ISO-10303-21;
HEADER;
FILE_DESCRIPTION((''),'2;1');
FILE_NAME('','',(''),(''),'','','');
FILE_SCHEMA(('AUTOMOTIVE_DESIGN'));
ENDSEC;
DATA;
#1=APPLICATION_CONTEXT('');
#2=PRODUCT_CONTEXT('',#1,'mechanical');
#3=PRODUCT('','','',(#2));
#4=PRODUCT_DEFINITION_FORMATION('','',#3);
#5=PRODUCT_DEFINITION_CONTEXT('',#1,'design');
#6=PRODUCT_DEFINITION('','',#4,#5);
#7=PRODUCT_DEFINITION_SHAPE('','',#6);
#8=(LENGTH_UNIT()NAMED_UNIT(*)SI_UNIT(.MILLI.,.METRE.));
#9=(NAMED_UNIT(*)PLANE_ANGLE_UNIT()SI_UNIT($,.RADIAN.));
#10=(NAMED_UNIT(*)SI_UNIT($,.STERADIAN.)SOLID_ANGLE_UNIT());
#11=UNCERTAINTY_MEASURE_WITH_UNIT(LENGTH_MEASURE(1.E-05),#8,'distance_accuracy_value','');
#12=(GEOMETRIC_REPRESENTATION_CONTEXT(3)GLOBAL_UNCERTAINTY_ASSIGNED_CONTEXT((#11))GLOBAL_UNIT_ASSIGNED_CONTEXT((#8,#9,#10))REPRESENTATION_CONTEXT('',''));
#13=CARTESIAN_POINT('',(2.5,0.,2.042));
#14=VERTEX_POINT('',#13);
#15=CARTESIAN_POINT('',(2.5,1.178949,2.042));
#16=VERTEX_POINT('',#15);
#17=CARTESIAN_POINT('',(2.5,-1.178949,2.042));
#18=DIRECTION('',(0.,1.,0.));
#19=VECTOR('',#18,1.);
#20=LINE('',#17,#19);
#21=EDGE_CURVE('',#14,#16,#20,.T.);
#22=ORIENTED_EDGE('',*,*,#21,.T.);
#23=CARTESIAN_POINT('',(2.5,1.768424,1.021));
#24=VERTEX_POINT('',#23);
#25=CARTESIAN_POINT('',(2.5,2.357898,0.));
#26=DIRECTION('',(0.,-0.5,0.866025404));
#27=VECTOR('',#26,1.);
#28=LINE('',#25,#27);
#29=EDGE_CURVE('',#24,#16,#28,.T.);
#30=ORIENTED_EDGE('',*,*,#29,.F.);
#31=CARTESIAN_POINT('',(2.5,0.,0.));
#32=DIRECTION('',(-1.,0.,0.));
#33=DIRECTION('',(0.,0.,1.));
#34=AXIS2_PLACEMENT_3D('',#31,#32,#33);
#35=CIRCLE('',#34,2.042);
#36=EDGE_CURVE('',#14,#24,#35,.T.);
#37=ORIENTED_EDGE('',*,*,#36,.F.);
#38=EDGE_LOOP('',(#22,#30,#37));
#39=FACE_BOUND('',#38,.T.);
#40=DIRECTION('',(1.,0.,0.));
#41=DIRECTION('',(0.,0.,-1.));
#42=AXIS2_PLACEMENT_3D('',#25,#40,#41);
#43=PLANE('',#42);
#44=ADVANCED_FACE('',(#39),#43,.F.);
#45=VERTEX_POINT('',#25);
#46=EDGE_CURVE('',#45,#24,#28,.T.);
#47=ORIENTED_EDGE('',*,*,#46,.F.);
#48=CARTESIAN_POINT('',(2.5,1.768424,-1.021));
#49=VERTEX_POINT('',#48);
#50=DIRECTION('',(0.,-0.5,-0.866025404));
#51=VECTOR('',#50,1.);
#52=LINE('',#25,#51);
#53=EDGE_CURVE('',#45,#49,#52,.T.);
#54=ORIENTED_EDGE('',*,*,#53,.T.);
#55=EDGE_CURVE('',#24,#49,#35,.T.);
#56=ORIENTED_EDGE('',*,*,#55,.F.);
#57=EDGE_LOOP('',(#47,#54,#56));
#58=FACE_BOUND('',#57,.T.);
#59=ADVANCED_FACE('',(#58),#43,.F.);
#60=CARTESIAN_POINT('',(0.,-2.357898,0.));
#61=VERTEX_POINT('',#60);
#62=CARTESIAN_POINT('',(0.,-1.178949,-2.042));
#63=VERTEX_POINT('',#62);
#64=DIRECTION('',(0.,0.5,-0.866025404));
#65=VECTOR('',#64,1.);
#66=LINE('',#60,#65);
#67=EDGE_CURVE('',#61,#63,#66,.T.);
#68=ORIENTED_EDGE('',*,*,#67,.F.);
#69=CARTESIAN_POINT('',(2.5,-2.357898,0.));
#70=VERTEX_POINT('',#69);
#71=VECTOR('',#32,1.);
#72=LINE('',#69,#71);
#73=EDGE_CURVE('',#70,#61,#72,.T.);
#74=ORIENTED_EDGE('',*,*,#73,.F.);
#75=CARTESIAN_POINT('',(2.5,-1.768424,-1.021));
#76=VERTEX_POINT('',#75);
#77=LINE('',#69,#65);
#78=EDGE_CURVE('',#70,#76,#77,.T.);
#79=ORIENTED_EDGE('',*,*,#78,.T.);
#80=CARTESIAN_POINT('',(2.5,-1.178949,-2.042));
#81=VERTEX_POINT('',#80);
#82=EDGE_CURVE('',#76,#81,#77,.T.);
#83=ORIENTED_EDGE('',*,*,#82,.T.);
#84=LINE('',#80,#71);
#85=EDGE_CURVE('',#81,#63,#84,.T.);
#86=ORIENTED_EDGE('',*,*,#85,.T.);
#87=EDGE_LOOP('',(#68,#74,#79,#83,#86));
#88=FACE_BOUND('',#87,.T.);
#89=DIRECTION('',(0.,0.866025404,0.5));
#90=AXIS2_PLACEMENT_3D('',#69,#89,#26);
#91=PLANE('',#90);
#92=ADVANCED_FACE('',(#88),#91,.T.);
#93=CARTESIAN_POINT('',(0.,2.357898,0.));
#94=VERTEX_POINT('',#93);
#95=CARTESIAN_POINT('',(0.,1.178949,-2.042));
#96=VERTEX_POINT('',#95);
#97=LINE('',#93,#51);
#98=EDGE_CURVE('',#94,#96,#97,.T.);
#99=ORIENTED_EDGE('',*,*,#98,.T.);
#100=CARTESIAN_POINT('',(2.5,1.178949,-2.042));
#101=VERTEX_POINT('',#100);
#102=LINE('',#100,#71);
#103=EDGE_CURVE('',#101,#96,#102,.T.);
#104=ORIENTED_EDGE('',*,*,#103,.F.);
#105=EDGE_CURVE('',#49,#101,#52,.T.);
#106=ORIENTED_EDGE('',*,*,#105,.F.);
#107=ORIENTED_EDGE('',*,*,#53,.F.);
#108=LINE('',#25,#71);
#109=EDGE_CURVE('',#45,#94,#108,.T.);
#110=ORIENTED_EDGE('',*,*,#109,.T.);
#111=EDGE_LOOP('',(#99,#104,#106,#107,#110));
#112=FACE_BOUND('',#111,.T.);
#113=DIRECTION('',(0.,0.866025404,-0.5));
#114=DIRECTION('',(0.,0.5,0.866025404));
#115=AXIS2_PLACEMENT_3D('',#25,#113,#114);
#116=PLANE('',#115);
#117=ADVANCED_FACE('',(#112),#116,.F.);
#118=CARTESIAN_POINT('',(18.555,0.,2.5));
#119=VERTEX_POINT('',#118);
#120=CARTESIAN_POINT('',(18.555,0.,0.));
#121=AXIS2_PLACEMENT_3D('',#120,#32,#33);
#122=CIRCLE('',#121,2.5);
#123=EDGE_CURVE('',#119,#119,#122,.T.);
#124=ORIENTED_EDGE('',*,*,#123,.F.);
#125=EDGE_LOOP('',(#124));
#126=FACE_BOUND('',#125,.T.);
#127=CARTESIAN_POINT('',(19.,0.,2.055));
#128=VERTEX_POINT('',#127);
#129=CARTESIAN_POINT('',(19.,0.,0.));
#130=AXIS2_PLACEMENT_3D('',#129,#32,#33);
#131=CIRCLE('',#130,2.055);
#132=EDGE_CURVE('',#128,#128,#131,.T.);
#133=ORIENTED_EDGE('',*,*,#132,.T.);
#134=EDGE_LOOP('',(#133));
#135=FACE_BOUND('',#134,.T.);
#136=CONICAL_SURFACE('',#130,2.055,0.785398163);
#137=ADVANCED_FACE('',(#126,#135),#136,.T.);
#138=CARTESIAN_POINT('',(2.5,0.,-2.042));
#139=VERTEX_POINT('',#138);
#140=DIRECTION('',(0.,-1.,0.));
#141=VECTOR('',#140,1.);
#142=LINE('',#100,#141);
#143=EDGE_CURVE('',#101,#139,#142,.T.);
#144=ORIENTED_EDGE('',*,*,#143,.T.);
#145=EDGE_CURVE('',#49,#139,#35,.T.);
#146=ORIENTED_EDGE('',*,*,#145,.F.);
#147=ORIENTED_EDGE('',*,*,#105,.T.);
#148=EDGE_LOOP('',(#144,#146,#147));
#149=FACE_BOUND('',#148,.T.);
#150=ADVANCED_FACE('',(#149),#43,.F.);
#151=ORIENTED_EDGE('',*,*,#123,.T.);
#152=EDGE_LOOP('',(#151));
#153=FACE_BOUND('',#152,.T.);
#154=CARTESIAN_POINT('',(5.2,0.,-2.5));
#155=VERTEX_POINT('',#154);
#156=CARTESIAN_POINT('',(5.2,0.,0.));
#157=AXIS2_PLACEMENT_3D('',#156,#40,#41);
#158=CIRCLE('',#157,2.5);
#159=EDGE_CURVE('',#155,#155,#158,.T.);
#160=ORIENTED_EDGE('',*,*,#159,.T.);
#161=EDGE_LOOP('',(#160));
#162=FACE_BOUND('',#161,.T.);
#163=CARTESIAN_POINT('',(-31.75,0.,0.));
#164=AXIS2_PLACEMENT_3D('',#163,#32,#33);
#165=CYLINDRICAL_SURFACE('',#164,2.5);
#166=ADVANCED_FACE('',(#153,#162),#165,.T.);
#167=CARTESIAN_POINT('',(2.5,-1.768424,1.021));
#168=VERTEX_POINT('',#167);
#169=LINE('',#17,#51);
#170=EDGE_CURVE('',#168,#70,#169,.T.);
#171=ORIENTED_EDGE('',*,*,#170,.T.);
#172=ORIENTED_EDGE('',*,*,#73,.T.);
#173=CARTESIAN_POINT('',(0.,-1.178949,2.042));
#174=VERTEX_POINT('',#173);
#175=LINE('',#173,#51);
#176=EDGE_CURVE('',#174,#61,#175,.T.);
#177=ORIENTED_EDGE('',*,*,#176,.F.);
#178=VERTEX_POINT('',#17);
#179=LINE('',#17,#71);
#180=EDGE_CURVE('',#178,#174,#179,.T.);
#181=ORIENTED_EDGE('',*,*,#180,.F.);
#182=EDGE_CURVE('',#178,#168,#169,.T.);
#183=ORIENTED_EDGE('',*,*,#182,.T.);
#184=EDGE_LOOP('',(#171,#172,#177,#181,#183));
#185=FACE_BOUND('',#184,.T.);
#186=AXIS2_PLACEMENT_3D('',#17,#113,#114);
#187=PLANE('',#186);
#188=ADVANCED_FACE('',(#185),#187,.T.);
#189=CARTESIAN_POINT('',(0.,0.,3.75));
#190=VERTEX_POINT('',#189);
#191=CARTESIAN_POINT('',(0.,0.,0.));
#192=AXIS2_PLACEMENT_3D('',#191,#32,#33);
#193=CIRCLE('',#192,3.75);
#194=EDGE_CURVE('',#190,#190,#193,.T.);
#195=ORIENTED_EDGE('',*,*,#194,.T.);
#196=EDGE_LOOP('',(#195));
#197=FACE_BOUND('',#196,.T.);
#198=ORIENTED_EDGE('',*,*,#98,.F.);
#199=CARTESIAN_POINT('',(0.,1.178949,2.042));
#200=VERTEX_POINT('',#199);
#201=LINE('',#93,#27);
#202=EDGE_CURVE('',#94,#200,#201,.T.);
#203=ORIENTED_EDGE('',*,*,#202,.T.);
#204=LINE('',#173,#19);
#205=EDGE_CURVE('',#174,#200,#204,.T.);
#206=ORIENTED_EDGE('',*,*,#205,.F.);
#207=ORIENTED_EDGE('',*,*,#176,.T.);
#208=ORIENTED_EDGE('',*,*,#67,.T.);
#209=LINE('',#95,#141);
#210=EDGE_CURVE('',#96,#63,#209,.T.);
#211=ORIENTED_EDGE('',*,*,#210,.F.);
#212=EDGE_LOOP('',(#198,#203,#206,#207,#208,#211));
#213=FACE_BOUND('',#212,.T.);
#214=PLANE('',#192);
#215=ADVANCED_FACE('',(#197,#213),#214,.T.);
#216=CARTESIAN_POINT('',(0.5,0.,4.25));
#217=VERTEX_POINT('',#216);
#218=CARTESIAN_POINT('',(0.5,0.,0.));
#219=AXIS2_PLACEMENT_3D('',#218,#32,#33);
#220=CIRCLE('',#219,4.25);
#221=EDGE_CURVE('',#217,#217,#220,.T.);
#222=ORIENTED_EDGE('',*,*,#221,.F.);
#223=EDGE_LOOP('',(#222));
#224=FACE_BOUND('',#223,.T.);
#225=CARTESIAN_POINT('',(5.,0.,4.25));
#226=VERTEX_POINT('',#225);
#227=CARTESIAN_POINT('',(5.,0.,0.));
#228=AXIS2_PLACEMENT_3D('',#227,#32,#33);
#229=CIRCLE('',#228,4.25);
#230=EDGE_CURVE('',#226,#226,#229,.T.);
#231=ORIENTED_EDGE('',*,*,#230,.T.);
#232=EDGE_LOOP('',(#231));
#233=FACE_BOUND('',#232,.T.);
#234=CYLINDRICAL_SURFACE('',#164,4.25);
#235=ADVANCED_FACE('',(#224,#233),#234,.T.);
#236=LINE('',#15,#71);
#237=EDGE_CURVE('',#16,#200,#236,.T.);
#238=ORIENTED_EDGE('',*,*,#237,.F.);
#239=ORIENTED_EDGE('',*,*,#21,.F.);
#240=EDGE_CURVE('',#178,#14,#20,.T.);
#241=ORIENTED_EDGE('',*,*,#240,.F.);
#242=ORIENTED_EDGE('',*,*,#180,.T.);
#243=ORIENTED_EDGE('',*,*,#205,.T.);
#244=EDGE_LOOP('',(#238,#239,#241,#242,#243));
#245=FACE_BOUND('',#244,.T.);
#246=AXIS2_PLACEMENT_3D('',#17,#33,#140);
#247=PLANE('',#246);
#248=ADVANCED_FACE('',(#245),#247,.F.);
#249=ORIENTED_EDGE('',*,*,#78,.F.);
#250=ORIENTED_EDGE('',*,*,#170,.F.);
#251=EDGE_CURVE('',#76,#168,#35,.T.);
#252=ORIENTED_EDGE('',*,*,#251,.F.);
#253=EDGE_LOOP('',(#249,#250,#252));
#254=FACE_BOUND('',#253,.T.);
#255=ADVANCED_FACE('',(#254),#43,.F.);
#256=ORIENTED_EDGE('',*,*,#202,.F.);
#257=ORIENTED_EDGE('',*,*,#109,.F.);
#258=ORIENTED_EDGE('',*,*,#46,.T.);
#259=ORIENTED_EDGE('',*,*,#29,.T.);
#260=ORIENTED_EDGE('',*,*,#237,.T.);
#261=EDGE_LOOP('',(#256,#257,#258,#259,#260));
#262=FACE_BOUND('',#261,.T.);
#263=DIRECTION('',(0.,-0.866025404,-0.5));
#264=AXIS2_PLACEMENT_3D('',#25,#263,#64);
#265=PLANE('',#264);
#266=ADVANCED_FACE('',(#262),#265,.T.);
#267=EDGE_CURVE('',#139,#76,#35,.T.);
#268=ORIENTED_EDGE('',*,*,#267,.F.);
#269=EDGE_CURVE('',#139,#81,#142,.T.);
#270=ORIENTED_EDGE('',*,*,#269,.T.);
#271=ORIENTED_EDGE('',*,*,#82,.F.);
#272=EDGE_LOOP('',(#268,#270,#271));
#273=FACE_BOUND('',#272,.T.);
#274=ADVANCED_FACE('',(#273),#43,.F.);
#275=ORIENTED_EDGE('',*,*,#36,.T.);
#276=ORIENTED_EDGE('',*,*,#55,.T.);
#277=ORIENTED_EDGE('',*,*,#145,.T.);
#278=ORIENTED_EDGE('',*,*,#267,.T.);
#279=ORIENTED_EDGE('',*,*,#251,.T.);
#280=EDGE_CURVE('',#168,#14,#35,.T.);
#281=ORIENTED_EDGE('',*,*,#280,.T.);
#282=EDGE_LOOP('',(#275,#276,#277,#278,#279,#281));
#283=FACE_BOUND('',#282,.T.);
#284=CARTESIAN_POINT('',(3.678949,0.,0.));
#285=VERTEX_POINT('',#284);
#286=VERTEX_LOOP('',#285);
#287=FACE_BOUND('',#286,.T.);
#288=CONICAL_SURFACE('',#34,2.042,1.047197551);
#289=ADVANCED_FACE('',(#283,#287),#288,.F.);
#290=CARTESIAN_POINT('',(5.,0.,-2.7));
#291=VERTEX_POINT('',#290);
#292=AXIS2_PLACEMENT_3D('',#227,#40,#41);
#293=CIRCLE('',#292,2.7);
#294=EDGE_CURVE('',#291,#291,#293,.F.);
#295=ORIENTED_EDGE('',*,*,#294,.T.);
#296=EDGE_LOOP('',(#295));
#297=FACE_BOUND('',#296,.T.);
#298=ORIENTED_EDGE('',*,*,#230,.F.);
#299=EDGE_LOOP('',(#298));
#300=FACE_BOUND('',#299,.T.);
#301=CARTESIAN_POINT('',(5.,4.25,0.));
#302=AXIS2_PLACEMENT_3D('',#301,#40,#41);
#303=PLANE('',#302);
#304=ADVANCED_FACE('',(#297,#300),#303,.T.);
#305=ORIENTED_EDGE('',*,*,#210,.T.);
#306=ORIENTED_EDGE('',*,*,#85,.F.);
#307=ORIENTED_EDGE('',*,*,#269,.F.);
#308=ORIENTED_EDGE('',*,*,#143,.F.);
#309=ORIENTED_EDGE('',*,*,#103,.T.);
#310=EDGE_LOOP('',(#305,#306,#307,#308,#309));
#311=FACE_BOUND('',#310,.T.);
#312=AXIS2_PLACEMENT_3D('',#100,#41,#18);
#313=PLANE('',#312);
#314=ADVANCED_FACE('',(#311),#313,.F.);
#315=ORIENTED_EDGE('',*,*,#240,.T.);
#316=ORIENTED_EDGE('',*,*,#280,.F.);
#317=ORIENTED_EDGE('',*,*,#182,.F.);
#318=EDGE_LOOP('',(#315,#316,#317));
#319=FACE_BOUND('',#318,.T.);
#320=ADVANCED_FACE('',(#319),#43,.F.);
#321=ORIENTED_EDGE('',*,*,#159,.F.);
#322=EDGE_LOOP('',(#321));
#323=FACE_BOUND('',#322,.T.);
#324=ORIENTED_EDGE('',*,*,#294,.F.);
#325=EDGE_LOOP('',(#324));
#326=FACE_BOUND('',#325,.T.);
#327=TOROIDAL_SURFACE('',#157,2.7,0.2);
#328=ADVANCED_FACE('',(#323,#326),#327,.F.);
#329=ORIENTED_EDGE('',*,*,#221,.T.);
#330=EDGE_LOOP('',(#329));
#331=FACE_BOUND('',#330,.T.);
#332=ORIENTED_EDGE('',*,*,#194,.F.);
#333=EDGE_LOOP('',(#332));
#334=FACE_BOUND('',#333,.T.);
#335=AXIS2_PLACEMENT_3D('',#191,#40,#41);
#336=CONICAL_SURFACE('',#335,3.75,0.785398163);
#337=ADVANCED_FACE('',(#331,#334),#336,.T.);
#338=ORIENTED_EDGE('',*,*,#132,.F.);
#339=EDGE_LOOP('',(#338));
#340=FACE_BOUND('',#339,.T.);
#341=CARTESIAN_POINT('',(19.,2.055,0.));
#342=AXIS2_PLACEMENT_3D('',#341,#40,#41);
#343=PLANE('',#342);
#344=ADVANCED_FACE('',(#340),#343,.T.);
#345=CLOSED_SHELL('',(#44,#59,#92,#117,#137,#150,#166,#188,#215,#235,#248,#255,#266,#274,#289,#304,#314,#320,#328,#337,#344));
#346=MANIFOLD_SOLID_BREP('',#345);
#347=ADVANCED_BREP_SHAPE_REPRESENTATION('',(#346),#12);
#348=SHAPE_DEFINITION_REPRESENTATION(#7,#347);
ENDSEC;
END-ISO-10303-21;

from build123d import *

# Parameters (mm, degrees)
FILLET1_R   = 0.2
HEX_2_DEPTH = 2.5


with BuildPart() as part:
    # BodySke → Base-Revolve (revolve)
    with BuildSketch(Plane.XY):
        Polygon((0, 0), (0, 3.75), (0.5, 4.25), (5, 4.25), (5, 2.5), (18.555, 2.5), (19, 2.055), (19, 0), align=None)
    revolve(axis=Axis((-31.75, 0, 0), (1, 0, 0)))

    # Fillet1
    fillet1_edges = [part.edges().sort_by_distance(p)[0] for p in [
        (5, -2.5, 0),
    ]]
    fillet(fillet1_edges, radius=FILLET1_R)

    # Sketch2 → Hex-PreBroach (revolve, cut)
    with BuildSketch(Plane.XY):
        Polygon((0, 2.042), (2.5, 2.042), (3.67894925, 0), (0, 0), align=None)
    revolve(axis=Axis((0, 0, 0), (1, 0, 0)), mode=Mode.SUBTRACT)

    # Sketch3 → Hex 2 (cut)
    with BuildSketch(Plane(origin=(0, 0, 0), x_dir=(0, 0.5, 0.866025404), z_dir=(-1, 0, 0))):
        Polygon((1.17894925, 2.042), (-1.17894925, 2.042), (-2.357898499, 0), (-1.17894925, -2.042), (1.17894925, -2.042), (2.357898499, 0), align=None)
    extrude(amount=-HEX_2_DEPTH, mode=Mode.SUBTRACT)


solid = part.part
